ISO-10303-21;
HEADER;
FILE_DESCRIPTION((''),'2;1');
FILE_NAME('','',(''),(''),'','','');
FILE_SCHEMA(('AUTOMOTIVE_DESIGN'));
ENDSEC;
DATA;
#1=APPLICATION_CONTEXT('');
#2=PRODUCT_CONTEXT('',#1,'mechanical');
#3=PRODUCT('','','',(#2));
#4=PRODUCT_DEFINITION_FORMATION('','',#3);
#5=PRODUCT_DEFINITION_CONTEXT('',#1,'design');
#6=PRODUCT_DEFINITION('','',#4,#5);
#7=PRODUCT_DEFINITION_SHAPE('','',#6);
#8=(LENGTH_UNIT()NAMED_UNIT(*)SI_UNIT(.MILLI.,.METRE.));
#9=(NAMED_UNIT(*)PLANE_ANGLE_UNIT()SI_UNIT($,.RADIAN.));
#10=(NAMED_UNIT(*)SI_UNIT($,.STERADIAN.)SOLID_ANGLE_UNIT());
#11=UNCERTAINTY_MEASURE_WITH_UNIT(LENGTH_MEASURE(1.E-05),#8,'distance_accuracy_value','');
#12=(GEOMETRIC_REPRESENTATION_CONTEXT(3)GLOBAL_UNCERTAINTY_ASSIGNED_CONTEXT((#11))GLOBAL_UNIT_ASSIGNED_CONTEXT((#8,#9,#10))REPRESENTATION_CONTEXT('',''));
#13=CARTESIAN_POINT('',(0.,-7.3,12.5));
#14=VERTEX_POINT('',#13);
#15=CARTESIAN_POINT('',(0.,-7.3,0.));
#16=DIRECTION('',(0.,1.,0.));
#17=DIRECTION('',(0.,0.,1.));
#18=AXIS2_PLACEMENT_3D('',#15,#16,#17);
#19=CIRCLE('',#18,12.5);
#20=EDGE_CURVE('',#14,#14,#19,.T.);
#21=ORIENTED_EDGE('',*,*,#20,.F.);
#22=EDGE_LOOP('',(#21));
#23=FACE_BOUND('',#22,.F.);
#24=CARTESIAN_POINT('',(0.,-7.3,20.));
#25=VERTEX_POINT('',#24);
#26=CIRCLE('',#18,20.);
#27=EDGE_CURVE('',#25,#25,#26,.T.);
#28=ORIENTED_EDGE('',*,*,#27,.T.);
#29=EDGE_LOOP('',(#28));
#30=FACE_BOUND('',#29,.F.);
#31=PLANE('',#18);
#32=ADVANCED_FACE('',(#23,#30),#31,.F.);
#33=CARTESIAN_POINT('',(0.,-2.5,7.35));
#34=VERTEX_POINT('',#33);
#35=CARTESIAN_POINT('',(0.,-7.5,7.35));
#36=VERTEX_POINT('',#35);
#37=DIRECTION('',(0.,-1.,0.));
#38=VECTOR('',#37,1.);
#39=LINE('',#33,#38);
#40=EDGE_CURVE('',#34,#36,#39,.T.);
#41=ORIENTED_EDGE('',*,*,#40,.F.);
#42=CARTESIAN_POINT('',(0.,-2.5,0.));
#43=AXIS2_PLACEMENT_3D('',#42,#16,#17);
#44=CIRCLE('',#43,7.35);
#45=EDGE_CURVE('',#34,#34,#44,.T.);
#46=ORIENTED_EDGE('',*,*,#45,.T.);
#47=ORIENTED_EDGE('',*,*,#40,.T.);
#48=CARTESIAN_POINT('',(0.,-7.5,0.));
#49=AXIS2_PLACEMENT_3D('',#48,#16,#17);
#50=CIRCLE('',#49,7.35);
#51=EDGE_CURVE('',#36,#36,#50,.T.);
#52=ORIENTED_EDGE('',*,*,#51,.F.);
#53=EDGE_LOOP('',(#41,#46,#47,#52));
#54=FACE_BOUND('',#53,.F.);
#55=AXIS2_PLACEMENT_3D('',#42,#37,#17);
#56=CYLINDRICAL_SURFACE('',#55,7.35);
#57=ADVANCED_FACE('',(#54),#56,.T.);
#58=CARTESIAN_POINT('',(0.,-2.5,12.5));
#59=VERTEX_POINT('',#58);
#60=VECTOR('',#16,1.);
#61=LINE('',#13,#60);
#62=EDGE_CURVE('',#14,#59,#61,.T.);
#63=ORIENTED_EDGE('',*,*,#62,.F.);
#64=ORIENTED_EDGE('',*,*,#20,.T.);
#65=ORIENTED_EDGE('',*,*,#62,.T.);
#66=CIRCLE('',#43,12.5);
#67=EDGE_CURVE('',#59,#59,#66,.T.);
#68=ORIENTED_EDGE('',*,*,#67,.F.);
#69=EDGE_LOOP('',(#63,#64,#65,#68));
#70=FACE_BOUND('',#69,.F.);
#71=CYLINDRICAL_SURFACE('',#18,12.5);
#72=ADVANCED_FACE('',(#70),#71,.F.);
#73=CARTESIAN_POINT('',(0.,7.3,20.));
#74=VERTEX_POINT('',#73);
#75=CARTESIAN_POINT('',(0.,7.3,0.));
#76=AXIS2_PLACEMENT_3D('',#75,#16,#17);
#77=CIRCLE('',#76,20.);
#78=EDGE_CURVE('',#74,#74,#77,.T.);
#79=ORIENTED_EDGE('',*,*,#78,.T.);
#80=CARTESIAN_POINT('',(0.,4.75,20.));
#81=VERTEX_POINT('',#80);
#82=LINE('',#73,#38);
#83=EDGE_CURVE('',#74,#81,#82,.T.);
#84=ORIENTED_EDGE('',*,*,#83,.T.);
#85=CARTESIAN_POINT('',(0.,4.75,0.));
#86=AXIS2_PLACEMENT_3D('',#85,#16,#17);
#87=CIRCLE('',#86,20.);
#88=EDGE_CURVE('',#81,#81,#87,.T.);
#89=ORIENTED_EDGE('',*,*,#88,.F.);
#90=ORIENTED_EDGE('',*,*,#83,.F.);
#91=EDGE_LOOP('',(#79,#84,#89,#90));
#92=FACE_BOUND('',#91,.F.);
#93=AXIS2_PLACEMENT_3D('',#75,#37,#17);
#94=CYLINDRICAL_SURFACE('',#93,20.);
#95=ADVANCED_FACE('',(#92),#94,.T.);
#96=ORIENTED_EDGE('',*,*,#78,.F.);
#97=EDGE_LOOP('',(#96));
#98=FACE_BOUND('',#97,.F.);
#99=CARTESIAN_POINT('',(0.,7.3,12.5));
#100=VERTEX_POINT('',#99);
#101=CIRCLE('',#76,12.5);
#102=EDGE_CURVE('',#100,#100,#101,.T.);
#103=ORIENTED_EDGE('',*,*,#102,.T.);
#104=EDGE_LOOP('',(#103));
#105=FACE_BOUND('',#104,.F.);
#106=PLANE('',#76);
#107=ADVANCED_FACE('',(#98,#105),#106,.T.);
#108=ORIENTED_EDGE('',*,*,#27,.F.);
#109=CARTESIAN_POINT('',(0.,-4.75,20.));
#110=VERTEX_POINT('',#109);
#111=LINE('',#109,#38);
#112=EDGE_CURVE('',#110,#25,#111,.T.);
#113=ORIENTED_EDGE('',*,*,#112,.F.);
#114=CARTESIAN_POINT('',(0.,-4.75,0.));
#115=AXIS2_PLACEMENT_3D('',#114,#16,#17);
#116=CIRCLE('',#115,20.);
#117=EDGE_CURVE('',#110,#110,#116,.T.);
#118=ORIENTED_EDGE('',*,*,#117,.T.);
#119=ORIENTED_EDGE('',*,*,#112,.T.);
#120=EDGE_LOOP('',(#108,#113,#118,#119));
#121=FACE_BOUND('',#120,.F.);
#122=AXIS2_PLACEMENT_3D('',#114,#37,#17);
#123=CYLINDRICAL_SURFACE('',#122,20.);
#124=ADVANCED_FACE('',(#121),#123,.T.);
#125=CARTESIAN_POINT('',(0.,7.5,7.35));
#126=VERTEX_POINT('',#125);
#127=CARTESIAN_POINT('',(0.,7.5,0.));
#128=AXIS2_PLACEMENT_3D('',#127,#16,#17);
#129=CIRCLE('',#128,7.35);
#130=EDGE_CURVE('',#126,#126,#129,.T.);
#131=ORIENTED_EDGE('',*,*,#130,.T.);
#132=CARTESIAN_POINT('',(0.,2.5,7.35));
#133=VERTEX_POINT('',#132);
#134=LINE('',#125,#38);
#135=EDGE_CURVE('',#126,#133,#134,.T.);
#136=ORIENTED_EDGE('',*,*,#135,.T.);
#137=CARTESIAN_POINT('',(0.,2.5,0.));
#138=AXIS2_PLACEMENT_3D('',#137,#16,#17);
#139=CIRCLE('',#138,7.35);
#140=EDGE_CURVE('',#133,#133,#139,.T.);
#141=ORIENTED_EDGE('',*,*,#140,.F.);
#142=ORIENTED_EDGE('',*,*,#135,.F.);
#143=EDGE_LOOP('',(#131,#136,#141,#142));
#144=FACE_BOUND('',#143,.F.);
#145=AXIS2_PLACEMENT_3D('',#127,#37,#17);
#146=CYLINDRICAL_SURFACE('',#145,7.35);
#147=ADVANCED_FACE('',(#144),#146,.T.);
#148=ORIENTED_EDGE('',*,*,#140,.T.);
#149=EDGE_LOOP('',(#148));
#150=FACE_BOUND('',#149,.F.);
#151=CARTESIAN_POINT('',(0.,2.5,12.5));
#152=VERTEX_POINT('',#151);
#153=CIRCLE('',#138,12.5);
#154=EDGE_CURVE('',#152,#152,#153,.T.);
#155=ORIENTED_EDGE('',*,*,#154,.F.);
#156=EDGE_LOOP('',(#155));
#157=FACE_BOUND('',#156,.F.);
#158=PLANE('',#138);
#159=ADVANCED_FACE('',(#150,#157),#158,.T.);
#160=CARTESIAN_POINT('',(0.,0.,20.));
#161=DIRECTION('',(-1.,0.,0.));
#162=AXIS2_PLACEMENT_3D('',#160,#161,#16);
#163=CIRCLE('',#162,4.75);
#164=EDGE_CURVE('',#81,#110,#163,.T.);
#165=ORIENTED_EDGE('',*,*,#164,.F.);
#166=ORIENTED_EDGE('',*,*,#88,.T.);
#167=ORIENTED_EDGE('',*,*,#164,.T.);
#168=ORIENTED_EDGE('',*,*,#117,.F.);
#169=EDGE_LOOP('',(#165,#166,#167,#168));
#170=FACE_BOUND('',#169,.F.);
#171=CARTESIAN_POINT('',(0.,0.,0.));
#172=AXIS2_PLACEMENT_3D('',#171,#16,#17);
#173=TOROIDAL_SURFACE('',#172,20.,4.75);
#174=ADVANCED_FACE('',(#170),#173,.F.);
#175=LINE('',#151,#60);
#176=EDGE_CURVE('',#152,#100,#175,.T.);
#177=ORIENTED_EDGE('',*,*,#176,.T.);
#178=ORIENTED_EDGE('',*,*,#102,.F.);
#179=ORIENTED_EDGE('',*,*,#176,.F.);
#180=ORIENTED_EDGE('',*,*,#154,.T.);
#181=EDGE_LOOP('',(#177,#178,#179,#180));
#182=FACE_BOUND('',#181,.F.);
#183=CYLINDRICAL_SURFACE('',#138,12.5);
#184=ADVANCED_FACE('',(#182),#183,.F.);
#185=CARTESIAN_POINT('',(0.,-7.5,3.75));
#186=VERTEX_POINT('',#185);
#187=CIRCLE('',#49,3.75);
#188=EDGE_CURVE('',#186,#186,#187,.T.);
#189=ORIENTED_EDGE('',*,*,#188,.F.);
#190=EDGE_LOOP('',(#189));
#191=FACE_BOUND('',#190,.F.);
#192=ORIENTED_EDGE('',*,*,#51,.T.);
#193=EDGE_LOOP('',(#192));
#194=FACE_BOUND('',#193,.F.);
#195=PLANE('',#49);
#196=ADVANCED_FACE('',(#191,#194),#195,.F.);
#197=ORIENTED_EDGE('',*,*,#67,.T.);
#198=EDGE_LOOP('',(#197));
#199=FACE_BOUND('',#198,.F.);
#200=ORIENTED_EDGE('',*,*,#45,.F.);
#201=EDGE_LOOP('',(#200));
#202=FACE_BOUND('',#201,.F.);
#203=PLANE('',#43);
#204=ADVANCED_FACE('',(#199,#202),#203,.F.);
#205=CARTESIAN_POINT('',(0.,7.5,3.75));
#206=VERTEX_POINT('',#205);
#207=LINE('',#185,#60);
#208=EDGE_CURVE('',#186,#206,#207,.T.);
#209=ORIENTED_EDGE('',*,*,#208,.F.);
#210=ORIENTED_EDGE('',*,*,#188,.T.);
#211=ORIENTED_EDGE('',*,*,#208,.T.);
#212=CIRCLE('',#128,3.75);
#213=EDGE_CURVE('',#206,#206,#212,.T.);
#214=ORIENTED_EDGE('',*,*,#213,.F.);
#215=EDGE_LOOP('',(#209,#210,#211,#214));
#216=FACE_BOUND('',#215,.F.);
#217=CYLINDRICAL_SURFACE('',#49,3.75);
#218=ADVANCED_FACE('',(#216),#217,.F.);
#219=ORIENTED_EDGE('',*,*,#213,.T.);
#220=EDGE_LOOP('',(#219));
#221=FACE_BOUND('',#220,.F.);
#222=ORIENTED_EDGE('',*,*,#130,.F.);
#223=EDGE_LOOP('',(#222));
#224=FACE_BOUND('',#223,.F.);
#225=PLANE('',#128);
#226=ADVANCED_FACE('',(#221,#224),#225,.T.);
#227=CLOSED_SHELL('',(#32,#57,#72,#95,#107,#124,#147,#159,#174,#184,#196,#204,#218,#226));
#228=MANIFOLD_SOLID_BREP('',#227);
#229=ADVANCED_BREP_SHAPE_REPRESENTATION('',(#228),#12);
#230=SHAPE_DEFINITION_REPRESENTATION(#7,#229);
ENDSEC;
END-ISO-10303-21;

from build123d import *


with BuildPart() as f1:
    # F0 (on Right) → F1 (revolve)
    with BuildSketch(Plane.YZ):
        with BuildLine():
            Line((-7.5, 7.35), (-7.5, 3.75))
            Line((-7.5, 3.75), (7.5, 3.75))
            Line((7.5, 3.75), (7.5, 7.35))
            Line((7.5, 7.35), (2.5, 7.35))
            Line((2.5, 7.35), (2.5, 12.5))
            Line((2.5, 12.5), (7.3, 12.5))
            Line((7.3, 12.5), (7.3, 20))
            Line((7.3, 20), (4.75, 20))
            ThreePointArc((4.75, 20), (0, 15.25), (-4.75, 20))
            Line((-4.75, 20), (-7.3, 20))
            Line((-7.3, 20), (-7.3, 12.5))
            Line((-7.3, 12.5), (-2.5, 12.5))
            Line((-2.5, 12.5), (-2.5, 7.35))
            Line((-2.5, 7.35), (-7.5, 7.35))
        make_face()
    revolve(axis=Axis((0, 0, 0), (0, 1, 0)))


solid = f1.part
